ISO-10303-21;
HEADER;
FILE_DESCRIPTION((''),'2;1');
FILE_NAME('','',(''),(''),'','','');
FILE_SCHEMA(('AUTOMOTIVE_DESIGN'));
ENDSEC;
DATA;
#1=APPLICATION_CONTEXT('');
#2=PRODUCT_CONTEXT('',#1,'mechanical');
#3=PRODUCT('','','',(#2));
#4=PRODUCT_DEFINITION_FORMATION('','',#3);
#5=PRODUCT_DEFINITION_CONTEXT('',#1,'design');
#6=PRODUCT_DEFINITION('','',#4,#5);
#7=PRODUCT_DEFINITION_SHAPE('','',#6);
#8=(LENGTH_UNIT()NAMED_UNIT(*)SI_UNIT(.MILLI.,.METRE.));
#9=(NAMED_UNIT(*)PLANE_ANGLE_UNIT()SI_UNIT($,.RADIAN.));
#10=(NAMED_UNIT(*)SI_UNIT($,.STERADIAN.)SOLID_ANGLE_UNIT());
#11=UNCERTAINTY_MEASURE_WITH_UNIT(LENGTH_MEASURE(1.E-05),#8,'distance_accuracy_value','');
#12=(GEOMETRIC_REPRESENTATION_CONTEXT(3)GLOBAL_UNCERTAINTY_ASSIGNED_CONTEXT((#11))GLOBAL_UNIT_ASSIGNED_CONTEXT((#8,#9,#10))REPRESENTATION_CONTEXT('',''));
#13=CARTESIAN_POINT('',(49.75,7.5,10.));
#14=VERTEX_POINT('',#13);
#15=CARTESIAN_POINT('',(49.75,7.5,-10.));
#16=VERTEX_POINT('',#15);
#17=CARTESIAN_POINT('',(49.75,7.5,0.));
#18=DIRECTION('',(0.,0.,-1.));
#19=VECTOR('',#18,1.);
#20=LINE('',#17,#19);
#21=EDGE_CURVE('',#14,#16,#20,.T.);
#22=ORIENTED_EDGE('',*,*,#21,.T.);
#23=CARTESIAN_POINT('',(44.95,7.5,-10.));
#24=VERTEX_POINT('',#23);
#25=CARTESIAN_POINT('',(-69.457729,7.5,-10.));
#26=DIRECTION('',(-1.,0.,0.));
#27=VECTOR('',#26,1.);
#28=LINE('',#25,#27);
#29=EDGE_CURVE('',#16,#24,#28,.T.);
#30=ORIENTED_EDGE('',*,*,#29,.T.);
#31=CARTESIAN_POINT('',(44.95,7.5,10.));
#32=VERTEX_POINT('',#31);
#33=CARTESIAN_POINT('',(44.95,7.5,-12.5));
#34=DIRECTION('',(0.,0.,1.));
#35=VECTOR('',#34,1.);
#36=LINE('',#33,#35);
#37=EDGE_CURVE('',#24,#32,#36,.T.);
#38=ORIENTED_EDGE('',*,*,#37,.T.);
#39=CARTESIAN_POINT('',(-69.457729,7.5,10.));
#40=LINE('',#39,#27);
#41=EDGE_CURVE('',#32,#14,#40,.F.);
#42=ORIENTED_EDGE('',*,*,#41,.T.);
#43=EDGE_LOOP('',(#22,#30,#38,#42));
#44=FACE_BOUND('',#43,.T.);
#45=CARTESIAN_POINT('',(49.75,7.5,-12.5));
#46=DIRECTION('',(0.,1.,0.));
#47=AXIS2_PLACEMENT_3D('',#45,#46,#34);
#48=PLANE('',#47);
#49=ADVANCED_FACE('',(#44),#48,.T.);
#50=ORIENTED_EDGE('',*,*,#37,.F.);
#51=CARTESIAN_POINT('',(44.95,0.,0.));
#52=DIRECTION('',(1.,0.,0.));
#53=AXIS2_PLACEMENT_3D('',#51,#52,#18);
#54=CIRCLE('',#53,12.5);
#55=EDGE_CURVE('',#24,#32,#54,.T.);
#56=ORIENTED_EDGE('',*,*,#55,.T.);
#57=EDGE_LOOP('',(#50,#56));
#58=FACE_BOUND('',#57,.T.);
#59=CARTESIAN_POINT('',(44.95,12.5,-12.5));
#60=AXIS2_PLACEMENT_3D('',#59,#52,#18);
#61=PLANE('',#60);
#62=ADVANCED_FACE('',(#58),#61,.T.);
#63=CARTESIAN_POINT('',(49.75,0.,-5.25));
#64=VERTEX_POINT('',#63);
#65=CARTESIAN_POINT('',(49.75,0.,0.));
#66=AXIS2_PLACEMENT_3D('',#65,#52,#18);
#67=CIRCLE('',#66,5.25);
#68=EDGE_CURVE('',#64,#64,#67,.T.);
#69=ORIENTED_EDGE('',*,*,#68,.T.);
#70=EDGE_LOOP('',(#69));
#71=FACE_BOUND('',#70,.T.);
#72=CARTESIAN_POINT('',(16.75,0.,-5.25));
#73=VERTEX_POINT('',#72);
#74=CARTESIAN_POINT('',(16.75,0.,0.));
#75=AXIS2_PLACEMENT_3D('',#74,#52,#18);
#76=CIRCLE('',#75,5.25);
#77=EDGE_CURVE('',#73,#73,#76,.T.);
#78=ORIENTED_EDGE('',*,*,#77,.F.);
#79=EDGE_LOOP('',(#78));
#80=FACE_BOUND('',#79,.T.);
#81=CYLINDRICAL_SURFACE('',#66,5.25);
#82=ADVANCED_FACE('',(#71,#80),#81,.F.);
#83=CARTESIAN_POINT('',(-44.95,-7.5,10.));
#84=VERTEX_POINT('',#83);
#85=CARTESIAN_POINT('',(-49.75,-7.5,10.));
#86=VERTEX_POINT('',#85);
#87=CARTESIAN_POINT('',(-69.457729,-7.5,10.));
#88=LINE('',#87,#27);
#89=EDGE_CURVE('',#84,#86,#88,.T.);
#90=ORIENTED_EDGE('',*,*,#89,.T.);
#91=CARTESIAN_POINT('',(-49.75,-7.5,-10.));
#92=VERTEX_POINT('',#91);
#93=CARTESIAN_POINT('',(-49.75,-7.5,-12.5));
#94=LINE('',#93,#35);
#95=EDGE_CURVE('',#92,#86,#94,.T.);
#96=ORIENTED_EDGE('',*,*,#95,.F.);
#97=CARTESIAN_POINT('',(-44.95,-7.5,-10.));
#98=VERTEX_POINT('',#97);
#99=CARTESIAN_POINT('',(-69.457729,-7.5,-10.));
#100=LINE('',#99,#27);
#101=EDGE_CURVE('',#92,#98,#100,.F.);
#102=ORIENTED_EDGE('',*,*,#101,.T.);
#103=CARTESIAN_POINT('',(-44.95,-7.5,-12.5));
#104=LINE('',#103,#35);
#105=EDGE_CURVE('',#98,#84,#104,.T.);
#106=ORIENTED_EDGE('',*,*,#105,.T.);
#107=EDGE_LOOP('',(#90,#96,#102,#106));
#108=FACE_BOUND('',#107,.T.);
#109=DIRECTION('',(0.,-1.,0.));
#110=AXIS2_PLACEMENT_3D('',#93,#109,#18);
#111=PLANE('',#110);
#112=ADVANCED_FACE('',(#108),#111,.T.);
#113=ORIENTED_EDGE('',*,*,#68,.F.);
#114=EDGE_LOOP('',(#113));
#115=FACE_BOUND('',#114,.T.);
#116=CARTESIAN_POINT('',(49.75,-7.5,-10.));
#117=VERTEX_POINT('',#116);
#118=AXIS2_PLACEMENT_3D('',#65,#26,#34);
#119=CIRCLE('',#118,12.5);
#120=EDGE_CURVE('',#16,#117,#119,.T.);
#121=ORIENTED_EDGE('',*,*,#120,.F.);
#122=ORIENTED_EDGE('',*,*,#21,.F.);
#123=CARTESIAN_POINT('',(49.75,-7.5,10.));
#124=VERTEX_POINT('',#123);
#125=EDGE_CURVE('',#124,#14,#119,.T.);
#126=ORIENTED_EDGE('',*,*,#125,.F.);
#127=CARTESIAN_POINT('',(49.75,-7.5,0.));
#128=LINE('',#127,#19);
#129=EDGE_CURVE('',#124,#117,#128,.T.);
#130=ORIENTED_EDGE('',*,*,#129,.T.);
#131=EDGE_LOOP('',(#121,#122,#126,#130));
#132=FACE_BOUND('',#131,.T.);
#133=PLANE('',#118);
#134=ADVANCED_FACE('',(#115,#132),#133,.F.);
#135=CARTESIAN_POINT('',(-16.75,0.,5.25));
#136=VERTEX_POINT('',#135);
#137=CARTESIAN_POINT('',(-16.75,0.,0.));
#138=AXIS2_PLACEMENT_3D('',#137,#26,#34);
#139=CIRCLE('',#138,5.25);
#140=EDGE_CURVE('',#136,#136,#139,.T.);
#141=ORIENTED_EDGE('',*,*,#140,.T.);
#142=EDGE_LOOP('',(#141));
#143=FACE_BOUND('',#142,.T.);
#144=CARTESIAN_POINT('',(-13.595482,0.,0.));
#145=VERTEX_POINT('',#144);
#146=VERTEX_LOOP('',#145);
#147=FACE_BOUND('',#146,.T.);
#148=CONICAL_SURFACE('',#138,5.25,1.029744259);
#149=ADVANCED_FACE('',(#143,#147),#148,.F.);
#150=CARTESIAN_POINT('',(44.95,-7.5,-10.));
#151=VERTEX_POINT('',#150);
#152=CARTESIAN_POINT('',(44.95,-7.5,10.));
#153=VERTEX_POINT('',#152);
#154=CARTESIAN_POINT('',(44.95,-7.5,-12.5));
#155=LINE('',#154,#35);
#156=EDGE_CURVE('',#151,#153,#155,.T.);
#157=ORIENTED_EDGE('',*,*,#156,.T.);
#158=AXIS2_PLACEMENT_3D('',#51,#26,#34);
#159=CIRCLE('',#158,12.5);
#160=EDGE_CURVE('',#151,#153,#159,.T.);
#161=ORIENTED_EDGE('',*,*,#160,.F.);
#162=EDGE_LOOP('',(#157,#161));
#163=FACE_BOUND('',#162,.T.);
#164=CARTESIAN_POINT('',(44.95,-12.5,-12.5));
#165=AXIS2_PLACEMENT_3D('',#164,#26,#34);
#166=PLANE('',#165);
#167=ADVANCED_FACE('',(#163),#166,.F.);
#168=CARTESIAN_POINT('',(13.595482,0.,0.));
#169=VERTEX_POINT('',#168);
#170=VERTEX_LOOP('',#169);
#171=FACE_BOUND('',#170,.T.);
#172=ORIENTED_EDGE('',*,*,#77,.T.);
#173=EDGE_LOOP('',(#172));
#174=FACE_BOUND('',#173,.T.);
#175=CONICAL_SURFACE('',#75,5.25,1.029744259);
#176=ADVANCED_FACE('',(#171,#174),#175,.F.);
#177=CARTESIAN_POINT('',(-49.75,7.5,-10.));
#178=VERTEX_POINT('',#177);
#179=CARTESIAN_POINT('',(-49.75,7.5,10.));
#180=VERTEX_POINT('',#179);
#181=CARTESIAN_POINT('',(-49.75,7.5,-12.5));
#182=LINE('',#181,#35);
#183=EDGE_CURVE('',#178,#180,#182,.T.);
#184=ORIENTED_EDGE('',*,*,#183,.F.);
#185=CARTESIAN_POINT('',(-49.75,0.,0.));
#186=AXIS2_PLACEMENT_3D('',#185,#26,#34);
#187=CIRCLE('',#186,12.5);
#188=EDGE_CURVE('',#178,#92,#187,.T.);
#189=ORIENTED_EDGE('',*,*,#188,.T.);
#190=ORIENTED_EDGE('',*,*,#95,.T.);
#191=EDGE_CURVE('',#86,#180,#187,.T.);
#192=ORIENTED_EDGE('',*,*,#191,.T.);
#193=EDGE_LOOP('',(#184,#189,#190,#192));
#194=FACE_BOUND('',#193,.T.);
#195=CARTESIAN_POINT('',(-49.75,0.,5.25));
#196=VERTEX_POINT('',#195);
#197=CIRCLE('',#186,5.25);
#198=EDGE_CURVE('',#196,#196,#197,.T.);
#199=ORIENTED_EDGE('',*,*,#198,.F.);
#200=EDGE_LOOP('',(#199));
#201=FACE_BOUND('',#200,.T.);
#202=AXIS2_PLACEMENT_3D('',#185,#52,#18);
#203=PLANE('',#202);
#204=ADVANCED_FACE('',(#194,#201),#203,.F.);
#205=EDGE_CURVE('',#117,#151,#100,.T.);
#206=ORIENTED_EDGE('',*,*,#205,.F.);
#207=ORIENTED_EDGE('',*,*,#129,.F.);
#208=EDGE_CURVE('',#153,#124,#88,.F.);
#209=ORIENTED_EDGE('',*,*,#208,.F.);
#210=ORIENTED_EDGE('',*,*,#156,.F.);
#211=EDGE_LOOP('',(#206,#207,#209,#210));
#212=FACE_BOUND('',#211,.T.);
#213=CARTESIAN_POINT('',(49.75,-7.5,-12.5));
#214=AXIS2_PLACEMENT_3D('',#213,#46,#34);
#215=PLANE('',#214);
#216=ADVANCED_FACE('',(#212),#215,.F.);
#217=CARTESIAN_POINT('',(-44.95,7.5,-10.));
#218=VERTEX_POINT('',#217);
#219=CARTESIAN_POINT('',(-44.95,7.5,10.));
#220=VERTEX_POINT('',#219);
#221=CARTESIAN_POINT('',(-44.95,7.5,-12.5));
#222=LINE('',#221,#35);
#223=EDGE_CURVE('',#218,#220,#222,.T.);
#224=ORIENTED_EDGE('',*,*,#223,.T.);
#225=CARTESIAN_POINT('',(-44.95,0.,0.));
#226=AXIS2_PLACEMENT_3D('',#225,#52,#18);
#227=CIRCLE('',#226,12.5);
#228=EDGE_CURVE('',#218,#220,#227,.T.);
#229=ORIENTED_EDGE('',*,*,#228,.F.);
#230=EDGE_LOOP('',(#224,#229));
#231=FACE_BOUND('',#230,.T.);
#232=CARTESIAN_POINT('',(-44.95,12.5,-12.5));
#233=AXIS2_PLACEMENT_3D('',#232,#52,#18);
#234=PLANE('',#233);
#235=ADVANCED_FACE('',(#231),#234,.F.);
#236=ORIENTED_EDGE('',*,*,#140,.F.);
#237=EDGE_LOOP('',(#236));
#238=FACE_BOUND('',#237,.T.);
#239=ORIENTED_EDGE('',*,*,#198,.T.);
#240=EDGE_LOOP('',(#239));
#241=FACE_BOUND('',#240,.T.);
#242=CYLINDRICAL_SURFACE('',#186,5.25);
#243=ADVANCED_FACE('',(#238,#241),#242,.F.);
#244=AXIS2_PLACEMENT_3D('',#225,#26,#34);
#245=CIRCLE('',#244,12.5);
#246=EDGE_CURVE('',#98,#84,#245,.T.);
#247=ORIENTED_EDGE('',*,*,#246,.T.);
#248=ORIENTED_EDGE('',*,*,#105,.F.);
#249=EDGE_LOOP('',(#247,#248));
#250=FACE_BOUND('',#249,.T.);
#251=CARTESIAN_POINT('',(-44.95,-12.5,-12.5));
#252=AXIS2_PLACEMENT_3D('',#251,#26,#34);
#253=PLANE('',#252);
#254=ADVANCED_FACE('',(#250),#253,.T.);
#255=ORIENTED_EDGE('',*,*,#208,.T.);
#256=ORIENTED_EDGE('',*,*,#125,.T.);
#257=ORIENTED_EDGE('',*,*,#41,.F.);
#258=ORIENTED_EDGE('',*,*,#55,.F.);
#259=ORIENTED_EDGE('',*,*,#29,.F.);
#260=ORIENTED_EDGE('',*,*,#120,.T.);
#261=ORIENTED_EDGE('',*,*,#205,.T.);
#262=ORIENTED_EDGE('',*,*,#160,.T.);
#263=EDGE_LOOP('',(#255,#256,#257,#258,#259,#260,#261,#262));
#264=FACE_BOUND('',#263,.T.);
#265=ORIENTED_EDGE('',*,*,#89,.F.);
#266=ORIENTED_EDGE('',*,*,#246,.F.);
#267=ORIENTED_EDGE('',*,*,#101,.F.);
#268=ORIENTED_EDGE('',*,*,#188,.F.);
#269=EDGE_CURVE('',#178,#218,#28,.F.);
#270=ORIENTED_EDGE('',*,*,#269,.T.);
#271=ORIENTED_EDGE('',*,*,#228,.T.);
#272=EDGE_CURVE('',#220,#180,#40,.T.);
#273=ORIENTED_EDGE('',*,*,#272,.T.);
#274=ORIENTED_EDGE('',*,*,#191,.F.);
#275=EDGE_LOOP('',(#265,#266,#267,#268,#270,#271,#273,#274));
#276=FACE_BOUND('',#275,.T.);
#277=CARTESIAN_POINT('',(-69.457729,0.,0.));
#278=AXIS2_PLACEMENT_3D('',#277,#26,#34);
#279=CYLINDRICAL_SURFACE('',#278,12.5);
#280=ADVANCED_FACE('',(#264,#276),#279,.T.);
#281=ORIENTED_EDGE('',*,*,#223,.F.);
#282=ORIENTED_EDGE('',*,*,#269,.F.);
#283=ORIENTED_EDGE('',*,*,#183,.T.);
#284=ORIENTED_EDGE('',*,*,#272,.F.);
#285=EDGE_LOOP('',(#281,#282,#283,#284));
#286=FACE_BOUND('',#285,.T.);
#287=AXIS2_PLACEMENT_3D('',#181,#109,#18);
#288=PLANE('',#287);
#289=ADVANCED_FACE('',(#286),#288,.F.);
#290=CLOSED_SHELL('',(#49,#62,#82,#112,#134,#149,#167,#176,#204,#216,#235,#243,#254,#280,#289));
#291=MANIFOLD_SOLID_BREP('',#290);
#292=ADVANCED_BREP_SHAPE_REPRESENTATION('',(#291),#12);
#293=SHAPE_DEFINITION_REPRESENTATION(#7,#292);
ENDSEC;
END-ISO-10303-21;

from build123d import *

# Parameters (mm, degrees)
ESQUISSE1_W               = 99.5
ESQUISSE1_H               = 12.5
ESQUISSE2_W               = 4.8
ESQUISSE2_H               = 5
ENL_V_MAT_EXTRU_1_DEPTH   = 13.5
SYM_TRIE2_COPY_1_SKETCH_W = 4.8
SYM_TRIE2_COPY_1_SKETCH_H = 5
SYM_TRIE2_COPY_1_DEPTH    = 13.5


with BuildPart() as part:
    # Esquisse1 → Révolution1 (revolve)
    with BuildSketch(Plane.XY, mode=Mode.PRIVATE) as r_volution1_sk:
        with Locations((0, 6.25)):
            Rectangle(ESQUISSE1_W, ESQUISSE1_H)
    revolve(r_volution1_sk.sketch.rotate(Axis((-69.457729469, 0, 0), (1, 0, 0)), 90), axis=Axis((-69.457729469, 0, 0), (1, 0, 0)))  # turned: the seam where the file's is

    # Esquisse2 → Enlèv. mat.-Extru.1 (cut, symmetric)
    with BuildSketch(Plane.XY):
        with Locations((-47.35, 10)):
            Rectangle(ESQUISSE2_W, ESQUISSE2_H)
    enl_v_mat_extru_1 = extrude(amount=ENL_V_MAT_EXTRU_1_DEPTH, both=True, mode=Mode.SUBTRACT)

    # Symétrie1: Enlèv. mat.-Extru.1 across plane
    add(enl_v_mat_extru_1.mirror(Plane.ZX), mode=Mode.SUBTRACT)

    # Esquisse5 → Diamètre du perçage Ø10.5 (10.5)1 (revolve, cut)
    with BuildSketch(Plane(origin=(-49.75, 0, 0), x_dir=(0, 0, 1), z_dir=(0, 1, 0))):
        Polygon((0, 0), (0, 36.15451825), (5.25, 33), (5.25, 0), align=None)
    diam_tre_du_per_age_10_5_10_5_1 = revolve(axis=Axis((-56.1, 0, 0), (1, 0, 0)), mode=Mode.SUBTRACT)

    # Symétrie2: Diamètre du perçage Ø10.5 (10.5)1, Enlèv. mat.-Extru.1 across plane
    add(diam_tre_du_per_age_10_5_10_5_1.mirror(Plane(origin=(0, 0, 0), x_dir=(0, 0, 1), z_dir=(1, 0, 0))), mode=Mode.SUBTRACT)
    add(enl_v_mat_extru_1.mirror(Plane(origin=(0, 0, 0), x_dir=(0, 0, 1), z_dir=(1, 0, 0))), mode=Mode.SUBTRACT)

    # Symétrie2 copy 1 sketch → Symétrie2 copy 1 (cut, symmetric)
    with BuildSketch(Plane(origin=(0, 0, 0), x_dir=(-1, 0, 0), z_dir=(0, 0, 1))):
        with Locations((-47.35, 10)):
            Rectangle(SYM_TRIE2_COPY_1_SKETCH_W, SYM_TRIE2_COPY_1_SKETCH_H)
    extrude(amount=SYM_TRIE2_COPY_1_DEPTH, both=True, mode=Mode.SUBTRACT)


solid = part.part
